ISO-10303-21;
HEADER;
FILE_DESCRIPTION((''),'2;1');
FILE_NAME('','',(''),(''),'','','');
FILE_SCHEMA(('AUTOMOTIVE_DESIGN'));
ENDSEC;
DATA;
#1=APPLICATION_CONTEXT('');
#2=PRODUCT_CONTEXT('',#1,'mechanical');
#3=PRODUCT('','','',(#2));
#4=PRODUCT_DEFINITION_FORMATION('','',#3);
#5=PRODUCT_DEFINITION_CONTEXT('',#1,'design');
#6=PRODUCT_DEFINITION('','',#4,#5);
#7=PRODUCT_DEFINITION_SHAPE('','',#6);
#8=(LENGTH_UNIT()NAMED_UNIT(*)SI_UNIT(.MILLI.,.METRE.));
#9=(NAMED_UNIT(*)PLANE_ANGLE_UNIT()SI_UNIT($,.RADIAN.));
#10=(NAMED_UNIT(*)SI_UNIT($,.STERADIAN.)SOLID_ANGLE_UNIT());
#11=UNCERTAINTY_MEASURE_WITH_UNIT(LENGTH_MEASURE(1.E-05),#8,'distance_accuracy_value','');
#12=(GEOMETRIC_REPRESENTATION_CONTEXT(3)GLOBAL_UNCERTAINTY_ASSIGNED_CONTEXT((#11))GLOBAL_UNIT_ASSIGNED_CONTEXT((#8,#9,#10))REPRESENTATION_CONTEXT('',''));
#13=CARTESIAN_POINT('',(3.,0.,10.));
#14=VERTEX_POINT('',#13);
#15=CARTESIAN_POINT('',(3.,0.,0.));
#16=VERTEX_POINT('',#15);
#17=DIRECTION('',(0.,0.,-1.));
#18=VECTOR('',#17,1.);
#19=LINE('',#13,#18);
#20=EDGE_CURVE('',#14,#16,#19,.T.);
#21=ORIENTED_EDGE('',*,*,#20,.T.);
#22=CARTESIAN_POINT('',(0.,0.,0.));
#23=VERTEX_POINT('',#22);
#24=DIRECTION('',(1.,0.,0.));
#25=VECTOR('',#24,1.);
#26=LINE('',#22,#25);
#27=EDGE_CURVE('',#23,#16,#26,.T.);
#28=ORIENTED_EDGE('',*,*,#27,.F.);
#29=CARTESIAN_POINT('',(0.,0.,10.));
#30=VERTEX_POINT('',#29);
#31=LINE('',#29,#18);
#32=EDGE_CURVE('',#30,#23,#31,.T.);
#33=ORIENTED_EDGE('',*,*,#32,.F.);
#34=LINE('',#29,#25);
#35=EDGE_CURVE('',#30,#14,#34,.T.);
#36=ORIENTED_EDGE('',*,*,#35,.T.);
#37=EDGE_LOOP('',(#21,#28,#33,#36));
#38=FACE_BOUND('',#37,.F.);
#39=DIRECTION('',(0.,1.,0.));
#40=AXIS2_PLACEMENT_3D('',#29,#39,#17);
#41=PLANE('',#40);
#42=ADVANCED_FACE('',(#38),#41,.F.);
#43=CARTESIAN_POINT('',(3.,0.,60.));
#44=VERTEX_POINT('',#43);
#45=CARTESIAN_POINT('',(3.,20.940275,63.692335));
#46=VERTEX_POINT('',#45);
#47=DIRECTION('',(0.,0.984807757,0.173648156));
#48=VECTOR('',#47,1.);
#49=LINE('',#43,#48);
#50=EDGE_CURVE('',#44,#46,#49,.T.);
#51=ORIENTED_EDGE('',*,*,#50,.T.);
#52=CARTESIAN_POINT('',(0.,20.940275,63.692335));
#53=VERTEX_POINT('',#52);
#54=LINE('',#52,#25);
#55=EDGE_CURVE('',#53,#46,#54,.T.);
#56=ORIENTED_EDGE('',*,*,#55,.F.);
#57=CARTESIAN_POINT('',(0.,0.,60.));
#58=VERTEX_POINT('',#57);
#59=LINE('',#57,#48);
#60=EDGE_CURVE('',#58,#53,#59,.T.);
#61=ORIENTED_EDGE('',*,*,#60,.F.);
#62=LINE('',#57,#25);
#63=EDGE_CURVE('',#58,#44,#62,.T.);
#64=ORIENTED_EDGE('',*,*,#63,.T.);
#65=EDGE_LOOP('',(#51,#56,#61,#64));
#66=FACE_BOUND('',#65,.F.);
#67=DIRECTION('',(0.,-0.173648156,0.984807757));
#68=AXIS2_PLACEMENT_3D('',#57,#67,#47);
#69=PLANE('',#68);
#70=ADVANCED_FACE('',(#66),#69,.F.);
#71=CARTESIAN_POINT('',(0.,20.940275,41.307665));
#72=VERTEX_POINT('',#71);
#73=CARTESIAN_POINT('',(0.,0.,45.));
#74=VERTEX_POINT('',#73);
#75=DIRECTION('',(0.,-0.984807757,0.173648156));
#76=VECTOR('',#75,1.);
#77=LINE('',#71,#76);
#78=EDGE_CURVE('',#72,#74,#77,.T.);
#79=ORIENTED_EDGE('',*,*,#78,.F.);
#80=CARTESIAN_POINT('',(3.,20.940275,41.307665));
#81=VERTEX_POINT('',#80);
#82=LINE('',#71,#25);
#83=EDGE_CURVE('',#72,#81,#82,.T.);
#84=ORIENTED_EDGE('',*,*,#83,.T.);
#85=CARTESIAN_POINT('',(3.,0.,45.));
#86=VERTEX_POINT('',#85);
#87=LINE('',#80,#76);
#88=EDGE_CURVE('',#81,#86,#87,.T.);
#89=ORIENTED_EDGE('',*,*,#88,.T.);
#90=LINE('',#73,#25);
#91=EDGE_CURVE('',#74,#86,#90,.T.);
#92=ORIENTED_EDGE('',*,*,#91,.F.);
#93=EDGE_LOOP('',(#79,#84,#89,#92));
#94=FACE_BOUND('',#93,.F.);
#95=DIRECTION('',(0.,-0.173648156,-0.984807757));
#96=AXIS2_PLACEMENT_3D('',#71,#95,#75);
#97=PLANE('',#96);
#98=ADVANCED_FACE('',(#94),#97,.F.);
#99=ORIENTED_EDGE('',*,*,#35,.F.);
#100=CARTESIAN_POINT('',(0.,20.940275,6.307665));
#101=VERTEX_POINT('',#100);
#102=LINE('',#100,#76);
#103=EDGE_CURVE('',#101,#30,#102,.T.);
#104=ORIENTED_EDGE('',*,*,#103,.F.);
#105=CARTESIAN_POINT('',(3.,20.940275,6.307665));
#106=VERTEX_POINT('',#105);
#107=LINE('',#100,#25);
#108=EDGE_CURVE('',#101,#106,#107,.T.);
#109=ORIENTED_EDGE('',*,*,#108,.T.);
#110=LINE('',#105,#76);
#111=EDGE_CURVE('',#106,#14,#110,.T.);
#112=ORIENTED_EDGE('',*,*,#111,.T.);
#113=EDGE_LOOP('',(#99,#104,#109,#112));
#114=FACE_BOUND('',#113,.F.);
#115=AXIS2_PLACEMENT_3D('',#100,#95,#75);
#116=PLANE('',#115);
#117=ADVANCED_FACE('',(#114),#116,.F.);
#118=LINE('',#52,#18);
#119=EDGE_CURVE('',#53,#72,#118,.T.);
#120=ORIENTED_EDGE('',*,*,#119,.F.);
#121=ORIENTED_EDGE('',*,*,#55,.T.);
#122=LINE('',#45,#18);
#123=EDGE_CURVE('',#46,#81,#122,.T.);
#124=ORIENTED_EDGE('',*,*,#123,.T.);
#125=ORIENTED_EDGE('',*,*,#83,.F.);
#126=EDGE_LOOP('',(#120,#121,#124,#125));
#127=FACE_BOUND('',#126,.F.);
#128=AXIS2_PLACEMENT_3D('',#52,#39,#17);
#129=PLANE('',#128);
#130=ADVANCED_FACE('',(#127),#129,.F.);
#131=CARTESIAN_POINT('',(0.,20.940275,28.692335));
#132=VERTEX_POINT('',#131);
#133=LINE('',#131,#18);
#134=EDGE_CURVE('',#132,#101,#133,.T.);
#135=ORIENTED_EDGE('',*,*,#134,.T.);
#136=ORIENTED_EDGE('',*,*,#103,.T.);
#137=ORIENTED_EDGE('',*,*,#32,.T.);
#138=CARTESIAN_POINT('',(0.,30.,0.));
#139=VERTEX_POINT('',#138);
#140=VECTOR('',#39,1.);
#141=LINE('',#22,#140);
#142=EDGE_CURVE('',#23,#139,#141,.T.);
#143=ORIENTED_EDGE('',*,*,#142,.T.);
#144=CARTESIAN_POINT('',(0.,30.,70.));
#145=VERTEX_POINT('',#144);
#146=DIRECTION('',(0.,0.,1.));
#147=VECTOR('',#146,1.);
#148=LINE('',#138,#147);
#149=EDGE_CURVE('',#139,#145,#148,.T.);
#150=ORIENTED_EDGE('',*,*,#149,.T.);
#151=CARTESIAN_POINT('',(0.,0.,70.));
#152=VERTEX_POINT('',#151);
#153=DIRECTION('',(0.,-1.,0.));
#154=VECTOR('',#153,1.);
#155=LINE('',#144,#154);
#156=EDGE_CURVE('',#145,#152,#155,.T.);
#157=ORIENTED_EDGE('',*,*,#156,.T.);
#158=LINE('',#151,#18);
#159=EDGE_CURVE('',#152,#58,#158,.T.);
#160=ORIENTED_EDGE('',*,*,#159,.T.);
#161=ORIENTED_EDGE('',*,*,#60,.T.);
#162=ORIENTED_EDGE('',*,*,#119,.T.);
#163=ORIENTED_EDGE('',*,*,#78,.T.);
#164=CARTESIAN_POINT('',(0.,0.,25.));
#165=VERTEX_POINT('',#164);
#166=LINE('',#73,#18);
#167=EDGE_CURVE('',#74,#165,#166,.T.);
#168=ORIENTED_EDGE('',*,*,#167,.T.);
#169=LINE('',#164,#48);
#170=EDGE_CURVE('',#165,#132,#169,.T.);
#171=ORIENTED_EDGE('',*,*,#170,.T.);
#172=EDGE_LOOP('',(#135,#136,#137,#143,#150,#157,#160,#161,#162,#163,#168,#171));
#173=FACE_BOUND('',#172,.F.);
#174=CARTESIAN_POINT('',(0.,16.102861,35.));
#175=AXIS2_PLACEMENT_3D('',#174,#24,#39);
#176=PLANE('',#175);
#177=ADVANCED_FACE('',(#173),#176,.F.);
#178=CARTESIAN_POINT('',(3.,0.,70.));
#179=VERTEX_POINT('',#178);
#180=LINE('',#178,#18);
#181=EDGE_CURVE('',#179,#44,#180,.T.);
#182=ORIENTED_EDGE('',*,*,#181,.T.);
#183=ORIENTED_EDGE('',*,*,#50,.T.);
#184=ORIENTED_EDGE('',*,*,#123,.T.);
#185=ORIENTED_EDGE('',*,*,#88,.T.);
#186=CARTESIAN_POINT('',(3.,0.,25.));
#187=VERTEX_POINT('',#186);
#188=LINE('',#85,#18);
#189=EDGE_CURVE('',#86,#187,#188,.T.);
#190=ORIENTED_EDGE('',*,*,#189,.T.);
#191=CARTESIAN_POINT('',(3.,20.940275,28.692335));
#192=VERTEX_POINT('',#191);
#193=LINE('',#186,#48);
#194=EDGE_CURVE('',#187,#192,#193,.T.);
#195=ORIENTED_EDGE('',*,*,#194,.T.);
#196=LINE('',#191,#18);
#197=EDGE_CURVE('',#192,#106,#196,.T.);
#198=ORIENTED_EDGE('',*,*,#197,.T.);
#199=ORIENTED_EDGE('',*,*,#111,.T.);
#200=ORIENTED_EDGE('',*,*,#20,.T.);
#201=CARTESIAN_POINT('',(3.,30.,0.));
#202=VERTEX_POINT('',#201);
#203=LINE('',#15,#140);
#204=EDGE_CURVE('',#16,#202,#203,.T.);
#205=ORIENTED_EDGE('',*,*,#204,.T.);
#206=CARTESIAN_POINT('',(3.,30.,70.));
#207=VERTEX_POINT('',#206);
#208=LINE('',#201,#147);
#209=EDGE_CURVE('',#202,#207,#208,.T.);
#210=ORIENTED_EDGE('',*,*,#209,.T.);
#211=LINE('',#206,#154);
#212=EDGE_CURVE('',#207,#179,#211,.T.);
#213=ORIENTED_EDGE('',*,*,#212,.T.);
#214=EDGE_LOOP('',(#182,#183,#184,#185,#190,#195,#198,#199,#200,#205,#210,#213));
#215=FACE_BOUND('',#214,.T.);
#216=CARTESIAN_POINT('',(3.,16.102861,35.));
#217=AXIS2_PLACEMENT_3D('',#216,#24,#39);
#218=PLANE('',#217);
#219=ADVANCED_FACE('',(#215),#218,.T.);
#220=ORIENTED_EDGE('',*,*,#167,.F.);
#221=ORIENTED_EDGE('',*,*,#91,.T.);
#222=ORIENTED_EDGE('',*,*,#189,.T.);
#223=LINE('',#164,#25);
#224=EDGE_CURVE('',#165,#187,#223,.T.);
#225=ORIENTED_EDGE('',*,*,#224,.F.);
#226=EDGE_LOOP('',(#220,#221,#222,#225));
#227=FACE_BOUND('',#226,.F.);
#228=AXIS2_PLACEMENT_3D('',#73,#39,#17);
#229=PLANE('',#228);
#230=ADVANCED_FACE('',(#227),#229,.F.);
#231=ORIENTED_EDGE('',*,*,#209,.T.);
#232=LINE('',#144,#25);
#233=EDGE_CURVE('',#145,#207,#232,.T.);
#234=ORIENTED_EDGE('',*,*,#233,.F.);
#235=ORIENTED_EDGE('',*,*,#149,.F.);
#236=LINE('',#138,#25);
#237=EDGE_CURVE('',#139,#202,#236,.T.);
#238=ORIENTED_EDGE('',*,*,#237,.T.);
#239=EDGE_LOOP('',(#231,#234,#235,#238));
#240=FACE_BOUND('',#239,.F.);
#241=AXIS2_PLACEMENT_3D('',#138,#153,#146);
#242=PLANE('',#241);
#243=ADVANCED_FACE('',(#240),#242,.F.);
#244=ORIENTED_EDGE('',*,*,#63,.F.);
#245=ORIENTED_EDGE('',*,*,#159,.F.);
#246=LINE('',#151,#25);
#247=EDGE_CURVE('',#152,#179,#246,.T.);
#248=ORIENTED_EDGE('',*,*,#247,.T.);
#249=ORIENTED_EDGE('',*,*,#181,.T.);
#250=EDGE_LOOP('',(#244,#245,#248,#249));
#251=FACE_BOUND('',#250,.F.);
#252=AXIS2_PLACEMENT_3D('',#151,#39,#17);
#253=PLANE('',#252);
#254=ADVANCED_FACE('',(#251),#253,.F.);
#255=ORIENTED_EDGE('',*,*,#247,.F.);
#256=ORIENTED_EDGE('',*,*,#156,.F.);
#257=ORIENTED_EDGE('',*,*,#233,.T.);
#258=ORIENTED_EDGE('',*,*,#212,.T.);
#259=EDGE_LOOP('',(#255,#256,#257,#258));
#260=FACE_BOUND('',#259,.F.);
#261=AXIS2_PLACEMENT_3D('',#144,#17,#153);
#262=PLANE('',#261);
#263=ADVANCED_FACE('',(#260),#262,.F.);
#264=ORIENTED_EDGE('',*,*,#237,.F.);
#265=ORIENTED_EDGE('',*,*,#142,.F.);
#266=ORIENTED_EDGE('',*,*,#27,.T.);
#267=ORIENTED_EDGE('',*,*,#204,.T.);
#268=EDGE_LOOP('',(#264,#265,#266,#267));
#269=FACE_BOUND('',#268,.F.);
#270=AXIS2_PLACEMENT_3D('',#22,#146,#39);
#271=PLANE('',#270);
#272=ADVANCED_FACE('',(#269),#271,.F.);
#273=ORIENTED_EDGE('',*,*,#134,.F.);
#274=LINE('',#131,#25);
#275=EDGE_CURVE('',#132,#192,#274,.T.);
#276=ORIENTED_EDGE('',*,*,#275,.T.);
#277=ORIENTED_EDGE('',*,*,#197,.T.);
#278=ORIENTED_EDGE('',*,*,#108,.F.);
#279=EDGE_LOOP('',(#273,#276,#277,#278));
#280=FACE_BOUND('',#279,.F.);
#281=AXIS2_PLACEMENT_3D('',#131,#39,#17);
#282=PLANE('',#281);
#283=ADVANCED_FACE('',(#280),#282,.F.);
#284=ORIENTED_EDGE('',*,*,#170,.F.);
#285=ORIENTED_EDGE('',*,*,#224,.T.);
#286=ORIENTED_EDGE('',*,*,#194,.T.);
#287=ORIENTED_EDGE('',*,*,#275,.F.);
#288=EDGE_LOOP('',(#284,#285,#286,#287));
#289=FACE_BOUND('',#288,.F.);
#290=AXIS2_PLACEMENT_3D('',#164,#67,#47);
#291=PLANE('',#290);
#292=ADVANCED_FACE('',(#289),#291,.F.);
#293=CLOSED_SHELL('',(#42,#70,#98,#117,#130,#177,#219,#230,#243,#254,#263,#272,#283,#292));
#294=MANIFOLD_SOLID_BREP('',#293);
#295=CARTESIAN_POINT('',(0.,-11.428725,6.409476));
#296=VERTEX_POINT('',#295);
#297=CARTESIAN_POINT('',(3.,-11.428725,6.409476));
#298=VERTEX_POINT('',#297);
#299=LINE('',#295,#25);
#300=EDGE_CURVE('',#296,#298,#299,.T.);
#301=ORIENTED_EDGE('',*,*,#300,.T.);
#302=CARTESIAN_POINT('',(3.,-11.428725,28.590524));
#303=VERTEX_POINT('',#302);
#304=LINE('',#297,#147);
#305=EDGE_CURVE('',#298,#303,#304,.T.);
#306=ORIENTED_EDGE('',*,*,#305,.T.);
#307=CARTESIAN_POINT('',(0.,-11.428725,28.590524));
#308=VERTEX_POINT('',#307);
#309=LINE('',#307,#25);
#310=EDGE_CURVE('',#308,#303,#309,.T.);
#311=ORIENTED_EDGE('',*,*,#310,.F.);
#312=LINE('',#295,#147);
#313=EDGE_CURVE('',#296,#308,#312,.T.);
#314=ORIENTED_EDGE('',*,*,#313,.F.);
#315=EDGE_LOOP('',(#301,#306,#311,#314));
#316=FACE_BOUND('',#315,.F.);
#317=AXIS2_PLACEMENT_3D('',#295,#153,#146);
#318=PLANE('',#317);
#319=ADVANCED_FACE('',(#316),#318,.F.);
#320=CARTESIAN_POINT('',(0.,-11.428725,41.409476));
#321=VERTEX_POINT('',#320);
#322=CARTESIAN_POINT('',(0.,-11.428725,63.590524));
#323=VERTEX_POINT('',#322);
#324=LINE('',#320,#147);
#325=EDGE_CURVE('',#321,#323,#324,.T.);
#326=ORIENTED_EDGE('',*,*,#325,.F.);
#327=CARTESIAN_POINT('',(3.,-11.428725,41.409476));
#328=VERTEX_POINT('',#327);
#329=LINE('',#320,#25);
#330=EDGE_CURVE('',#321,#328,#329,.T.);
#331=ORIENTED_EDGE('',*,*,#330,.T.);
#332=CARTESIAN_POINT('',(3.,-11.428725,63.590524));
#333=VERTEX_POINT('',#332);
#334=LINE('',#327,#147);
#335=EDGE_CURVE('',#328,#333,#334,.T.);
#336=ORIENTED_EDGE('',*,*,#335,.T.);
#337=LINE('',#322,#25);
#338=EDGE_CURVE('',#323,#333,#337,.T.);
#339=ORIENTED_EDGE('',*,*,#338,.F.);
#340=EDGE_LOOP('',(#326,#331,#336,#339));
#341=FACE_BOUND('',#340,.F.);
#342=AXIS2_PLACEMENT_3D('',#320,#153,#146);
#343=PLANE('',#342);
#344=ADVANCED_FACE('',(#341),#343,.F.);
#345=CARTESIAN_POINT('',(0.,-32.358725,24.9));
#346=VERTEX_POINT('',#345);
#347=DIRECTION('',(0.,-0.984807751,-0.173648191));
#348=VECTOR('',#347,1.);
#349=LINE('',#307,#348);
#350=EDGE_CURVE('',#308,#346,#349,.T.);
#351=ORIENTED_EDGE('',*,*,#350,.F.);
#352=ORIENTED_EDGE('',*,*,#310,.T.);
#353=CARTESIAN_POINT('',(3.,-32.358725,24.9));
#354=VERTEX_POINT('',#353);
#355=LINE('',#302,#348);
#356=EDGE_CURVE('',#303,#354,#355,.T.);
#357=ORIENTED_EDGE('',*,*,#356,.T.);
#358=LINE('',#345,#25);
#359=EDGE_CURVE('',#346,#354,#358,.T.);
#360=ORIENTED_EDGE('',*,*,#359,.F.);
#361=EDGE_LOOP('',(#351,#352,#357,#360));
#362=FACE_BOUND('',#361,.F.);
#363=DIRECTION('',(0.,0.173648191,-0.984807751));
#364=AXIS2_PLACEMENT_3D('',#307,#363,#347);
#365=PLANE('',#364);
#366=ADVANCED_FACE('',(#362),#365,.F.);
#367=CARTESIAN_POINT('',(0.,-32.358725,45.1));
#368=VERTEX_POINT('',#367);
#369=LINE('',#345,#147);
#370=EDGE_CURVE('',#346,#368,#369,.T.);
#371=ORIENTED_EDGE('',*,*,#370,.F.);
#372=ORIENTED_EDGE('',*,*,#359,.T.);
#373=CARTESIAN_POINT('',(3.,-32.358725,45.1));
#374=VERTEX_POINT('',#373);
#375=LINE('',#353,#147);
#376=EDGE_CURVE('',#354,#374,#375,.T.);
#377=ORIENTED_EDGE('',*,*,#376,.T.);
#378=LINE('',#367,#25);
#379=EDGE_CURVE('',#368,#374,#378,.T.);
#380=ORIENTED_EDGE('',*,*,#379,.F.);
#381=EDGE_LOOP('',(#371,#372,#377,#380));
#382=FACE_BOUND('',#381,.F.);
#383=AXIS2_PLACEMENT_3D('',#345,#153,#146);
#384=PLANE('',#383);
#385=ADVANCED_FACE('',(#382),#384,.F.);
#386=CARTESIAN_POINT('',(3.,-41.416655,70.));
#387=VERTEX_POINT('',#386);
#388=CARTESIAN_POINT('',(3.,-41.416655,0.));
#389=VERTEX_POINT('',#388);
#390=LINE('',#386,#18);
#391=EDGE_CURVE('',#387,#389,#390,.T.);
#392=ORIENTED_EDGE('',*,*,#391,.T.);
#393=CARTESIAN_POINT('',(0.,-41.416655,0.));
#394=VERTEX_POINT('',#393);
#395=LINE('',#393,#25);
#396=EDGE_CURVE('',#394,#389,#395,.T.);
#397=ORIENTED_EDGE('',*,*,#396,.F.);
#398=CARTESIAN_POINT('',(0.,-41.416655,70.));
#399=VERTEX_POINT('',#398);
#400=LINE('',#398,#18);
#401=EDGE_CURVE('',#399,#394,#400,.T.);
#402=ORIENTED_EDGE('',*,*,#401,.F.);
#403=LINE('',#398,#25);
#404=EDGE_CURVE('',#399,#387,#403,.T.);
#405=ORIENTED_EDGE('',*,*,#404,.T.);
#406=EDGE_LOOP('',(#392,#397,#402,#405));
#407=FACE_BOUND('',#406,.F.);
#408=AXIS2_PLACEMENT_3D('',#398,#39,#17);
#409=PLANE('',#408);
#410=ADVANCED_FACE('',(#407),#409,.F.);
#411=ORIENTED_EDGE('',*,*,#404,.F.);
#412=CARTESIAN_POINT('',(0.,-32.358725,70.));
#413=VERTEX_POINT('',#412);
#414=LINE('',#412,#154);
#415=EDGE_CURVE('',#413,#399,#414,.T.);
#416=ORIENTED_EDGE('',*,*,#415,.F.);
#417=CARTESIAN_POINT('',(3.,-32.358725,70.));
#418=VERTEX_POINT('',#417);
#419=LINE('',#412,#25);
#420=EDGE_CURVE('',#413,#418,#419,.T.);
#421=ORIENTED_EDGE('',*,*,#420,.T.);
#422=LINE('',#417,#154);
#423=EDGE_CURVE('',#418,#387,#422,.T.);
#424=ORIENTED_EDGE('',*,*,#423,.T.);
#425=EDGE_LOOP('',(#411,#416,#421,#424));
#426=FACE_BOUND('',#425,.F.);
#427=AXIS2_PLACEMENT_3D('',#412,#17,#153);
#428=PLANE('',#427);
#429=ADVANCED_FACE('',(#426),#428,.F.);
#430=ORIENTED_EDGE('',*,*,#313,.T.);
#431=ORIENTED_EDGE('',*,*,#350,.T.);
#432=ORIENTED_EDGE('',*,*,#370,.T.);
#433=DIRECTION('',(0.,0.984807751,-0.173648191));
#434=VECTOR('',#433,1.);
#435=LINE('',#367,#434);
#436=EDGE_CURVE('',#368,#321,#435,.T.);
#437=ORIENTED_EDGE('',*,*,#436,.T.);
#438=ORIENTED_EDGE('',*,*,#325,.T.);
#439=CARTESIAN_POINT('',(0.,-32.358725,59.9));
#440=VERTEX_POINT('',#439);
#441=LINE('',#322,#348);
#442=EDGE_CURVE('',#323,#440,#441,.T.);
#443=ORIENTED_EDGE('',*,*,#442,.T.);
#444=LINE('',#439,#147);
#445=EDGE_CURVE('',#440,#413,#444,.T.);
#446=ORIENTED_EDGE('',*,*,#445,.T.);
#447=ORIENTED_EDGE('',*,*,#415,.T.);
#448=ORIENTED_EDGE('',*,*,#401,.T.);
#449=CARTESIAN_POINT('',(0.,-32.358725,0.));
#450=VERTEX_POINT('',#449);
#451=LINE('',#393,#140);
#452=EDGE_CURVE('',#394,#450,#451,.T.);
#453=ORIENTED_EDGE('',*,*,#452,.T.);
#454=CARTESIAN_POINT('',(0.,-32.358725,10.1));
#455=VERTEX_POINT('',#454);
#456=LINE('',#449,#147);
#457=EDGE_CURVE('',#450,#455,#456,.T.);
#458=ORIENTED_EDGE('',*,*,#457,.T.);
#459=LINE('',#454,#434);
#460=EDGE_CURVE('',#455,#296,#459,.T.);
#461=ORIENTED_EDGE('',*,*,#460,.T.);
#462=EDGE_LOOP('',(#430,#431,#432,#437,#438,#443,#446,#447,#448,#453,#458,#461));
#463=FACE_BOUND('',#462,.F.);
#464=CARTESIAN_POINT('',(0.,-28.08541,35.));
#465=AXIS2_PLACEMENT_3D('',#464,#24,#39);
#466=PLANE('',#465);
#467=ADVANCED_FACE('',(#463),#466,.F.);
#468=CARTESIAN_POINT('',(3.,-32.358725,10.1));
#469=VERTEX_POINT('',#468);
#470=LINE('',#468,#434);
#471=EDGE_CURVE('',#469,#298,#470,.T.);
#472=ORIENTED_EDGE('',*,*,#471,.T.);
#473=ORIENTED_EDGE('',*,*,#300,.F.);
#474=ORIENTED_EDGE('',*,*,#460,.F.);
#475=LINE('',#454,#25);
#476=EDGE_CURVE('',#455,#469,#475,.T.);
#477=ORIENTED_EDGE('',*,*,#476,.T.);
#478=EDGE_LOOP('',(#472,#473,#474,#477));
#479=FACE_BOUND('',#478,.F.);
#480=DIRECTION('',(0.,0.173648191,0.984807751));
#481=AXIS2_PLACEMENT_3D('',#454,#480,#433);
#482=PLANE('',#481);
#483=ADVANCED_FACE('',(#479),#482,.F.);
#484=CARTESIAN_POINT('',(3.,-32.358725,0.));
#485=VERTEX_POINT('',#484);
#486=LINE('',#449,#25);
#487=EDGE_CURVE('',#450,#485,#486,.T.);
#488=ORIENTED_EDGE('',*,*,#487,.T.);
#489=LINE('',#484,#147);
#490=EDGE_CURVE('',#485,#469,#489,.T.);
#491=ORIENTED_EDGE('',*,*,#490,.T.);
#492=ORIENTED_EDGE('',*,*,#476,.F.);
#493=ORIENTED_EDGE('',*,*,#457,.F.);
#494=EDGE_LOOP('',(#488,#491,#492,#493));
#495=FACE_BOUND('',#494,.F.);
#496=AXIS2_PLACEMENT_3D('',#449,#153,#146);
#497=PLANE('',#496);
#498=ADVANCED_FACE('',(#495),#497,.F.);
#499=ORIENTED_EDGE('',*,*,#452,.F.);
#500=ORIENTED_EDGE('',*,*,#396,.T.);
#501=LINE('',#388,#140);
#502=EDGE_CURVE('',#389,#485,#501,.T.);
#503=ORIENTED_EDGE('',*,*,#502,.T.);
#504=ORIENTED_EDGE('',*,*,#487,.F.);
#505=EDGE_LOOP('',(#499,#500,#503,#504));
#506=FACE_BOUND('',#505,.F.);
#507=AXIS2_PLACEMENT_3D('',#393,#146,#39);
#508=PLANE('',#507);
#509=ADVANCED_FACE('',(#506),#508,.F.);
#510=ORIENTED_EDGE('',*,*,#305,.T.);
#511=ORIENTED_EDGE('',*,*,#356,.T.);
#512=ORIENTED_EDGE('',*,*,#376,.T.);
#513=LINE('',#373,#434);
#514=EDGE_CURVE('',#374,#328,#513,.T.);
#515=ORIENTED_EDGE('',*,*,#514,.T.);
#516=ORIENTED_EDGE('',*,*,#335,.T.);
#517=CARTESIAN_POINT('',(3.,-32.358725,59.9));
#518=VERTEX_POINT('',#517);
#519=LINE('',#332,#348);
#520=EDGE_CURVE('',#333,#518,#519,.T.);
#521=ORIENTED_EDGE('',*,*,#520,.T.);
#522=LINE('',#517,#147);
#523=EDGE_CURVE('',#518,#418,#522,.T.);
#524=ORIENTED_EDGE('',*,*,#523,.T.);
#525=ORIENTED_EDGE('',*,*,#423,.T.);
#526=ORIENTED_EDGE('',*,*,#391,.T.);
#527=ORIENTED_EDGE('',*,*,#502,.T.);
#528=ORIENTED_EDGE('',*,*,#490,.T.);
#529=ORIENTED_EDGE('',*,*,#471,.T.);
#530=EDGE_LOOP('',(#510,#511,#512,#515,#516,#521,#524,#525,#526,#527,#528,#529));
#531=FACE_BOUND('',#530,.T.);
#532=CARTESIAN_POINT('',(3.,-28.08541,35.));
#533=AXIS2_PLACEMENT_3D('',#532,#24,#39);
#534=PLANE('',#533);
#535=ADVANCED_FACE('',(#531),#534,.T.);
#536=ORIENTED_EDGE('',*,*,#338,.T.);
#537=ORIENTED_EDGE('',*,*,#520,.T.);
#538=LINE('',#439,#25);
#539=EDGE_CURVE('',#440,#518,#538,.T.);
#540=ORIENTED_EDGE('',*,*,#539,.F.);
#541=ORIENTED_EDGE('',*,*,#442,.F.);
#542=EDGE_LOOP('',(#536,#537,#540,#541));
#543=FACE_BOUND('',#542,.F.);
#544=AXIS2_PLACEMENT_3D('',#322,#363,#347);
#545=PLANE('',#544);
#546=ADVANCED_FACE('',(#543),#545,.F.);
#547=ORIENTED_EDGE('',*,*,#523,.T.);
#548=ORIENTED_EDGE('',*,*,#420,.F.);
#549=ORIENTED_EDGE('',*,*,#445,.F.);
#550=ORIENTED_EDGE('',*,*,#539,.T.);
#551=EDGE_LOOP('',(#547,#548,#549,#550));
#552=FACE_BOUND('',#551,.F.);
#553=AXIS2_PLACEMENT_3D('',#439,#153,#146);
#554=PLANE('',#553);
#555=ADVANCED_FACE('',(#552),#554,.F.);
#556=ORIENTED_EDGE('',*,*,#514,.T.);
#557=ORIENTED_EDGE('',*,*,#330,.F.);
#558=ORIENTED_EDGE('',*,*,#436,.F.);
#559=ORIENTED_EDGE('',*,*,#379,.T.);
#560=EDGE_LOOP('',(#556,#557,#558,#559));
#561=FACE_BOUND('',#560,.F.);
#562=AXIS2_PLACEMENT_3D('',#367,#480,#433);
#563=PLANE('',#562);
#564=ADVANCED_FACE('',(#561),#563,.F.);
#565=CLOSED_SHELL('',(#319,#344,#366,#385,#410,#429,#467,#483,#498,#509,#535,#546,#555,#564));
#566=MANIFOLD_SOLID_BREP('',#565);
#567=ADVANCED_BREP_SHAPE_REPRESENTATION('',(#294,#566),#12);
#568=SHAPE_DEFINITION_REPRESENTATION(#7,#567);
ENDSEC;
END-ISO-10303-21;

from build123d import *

# Parameters (mm, degrees)
F1_DEPTH = 3


with BuildPart() as f1:
    # F0 (on Right) → F1 (new body)
    with BuildSketch(Plane.YZ):
        Polygon((-41.416655, 0), (-32.358725, 0), (-32.358725, 10.1), (-11.428725, 6.409476), (-11.428725, 28.590524), (-32.358725, 24.9), (-32.358725, 35), (-32.358725, 45.1), (-11.428725, 41.409476), (-11.428725, 63.590524), (-32.358725, 59.9), (-32.358725, 70), (-41.416655, 70), align=None)
        Polygon((0, 10), (0, 0), (30, 0), (30, 70), (0, 70), (0, 60), (20.940275, 63.692335), (20.940275, 41.307665), (0, 45), (0, 35), (0, 25), (20.940275, 28.692335), (20.940275, 6.307665), align=None)
    extrude(amount=F1_DEPTH)


solid = f1.part
